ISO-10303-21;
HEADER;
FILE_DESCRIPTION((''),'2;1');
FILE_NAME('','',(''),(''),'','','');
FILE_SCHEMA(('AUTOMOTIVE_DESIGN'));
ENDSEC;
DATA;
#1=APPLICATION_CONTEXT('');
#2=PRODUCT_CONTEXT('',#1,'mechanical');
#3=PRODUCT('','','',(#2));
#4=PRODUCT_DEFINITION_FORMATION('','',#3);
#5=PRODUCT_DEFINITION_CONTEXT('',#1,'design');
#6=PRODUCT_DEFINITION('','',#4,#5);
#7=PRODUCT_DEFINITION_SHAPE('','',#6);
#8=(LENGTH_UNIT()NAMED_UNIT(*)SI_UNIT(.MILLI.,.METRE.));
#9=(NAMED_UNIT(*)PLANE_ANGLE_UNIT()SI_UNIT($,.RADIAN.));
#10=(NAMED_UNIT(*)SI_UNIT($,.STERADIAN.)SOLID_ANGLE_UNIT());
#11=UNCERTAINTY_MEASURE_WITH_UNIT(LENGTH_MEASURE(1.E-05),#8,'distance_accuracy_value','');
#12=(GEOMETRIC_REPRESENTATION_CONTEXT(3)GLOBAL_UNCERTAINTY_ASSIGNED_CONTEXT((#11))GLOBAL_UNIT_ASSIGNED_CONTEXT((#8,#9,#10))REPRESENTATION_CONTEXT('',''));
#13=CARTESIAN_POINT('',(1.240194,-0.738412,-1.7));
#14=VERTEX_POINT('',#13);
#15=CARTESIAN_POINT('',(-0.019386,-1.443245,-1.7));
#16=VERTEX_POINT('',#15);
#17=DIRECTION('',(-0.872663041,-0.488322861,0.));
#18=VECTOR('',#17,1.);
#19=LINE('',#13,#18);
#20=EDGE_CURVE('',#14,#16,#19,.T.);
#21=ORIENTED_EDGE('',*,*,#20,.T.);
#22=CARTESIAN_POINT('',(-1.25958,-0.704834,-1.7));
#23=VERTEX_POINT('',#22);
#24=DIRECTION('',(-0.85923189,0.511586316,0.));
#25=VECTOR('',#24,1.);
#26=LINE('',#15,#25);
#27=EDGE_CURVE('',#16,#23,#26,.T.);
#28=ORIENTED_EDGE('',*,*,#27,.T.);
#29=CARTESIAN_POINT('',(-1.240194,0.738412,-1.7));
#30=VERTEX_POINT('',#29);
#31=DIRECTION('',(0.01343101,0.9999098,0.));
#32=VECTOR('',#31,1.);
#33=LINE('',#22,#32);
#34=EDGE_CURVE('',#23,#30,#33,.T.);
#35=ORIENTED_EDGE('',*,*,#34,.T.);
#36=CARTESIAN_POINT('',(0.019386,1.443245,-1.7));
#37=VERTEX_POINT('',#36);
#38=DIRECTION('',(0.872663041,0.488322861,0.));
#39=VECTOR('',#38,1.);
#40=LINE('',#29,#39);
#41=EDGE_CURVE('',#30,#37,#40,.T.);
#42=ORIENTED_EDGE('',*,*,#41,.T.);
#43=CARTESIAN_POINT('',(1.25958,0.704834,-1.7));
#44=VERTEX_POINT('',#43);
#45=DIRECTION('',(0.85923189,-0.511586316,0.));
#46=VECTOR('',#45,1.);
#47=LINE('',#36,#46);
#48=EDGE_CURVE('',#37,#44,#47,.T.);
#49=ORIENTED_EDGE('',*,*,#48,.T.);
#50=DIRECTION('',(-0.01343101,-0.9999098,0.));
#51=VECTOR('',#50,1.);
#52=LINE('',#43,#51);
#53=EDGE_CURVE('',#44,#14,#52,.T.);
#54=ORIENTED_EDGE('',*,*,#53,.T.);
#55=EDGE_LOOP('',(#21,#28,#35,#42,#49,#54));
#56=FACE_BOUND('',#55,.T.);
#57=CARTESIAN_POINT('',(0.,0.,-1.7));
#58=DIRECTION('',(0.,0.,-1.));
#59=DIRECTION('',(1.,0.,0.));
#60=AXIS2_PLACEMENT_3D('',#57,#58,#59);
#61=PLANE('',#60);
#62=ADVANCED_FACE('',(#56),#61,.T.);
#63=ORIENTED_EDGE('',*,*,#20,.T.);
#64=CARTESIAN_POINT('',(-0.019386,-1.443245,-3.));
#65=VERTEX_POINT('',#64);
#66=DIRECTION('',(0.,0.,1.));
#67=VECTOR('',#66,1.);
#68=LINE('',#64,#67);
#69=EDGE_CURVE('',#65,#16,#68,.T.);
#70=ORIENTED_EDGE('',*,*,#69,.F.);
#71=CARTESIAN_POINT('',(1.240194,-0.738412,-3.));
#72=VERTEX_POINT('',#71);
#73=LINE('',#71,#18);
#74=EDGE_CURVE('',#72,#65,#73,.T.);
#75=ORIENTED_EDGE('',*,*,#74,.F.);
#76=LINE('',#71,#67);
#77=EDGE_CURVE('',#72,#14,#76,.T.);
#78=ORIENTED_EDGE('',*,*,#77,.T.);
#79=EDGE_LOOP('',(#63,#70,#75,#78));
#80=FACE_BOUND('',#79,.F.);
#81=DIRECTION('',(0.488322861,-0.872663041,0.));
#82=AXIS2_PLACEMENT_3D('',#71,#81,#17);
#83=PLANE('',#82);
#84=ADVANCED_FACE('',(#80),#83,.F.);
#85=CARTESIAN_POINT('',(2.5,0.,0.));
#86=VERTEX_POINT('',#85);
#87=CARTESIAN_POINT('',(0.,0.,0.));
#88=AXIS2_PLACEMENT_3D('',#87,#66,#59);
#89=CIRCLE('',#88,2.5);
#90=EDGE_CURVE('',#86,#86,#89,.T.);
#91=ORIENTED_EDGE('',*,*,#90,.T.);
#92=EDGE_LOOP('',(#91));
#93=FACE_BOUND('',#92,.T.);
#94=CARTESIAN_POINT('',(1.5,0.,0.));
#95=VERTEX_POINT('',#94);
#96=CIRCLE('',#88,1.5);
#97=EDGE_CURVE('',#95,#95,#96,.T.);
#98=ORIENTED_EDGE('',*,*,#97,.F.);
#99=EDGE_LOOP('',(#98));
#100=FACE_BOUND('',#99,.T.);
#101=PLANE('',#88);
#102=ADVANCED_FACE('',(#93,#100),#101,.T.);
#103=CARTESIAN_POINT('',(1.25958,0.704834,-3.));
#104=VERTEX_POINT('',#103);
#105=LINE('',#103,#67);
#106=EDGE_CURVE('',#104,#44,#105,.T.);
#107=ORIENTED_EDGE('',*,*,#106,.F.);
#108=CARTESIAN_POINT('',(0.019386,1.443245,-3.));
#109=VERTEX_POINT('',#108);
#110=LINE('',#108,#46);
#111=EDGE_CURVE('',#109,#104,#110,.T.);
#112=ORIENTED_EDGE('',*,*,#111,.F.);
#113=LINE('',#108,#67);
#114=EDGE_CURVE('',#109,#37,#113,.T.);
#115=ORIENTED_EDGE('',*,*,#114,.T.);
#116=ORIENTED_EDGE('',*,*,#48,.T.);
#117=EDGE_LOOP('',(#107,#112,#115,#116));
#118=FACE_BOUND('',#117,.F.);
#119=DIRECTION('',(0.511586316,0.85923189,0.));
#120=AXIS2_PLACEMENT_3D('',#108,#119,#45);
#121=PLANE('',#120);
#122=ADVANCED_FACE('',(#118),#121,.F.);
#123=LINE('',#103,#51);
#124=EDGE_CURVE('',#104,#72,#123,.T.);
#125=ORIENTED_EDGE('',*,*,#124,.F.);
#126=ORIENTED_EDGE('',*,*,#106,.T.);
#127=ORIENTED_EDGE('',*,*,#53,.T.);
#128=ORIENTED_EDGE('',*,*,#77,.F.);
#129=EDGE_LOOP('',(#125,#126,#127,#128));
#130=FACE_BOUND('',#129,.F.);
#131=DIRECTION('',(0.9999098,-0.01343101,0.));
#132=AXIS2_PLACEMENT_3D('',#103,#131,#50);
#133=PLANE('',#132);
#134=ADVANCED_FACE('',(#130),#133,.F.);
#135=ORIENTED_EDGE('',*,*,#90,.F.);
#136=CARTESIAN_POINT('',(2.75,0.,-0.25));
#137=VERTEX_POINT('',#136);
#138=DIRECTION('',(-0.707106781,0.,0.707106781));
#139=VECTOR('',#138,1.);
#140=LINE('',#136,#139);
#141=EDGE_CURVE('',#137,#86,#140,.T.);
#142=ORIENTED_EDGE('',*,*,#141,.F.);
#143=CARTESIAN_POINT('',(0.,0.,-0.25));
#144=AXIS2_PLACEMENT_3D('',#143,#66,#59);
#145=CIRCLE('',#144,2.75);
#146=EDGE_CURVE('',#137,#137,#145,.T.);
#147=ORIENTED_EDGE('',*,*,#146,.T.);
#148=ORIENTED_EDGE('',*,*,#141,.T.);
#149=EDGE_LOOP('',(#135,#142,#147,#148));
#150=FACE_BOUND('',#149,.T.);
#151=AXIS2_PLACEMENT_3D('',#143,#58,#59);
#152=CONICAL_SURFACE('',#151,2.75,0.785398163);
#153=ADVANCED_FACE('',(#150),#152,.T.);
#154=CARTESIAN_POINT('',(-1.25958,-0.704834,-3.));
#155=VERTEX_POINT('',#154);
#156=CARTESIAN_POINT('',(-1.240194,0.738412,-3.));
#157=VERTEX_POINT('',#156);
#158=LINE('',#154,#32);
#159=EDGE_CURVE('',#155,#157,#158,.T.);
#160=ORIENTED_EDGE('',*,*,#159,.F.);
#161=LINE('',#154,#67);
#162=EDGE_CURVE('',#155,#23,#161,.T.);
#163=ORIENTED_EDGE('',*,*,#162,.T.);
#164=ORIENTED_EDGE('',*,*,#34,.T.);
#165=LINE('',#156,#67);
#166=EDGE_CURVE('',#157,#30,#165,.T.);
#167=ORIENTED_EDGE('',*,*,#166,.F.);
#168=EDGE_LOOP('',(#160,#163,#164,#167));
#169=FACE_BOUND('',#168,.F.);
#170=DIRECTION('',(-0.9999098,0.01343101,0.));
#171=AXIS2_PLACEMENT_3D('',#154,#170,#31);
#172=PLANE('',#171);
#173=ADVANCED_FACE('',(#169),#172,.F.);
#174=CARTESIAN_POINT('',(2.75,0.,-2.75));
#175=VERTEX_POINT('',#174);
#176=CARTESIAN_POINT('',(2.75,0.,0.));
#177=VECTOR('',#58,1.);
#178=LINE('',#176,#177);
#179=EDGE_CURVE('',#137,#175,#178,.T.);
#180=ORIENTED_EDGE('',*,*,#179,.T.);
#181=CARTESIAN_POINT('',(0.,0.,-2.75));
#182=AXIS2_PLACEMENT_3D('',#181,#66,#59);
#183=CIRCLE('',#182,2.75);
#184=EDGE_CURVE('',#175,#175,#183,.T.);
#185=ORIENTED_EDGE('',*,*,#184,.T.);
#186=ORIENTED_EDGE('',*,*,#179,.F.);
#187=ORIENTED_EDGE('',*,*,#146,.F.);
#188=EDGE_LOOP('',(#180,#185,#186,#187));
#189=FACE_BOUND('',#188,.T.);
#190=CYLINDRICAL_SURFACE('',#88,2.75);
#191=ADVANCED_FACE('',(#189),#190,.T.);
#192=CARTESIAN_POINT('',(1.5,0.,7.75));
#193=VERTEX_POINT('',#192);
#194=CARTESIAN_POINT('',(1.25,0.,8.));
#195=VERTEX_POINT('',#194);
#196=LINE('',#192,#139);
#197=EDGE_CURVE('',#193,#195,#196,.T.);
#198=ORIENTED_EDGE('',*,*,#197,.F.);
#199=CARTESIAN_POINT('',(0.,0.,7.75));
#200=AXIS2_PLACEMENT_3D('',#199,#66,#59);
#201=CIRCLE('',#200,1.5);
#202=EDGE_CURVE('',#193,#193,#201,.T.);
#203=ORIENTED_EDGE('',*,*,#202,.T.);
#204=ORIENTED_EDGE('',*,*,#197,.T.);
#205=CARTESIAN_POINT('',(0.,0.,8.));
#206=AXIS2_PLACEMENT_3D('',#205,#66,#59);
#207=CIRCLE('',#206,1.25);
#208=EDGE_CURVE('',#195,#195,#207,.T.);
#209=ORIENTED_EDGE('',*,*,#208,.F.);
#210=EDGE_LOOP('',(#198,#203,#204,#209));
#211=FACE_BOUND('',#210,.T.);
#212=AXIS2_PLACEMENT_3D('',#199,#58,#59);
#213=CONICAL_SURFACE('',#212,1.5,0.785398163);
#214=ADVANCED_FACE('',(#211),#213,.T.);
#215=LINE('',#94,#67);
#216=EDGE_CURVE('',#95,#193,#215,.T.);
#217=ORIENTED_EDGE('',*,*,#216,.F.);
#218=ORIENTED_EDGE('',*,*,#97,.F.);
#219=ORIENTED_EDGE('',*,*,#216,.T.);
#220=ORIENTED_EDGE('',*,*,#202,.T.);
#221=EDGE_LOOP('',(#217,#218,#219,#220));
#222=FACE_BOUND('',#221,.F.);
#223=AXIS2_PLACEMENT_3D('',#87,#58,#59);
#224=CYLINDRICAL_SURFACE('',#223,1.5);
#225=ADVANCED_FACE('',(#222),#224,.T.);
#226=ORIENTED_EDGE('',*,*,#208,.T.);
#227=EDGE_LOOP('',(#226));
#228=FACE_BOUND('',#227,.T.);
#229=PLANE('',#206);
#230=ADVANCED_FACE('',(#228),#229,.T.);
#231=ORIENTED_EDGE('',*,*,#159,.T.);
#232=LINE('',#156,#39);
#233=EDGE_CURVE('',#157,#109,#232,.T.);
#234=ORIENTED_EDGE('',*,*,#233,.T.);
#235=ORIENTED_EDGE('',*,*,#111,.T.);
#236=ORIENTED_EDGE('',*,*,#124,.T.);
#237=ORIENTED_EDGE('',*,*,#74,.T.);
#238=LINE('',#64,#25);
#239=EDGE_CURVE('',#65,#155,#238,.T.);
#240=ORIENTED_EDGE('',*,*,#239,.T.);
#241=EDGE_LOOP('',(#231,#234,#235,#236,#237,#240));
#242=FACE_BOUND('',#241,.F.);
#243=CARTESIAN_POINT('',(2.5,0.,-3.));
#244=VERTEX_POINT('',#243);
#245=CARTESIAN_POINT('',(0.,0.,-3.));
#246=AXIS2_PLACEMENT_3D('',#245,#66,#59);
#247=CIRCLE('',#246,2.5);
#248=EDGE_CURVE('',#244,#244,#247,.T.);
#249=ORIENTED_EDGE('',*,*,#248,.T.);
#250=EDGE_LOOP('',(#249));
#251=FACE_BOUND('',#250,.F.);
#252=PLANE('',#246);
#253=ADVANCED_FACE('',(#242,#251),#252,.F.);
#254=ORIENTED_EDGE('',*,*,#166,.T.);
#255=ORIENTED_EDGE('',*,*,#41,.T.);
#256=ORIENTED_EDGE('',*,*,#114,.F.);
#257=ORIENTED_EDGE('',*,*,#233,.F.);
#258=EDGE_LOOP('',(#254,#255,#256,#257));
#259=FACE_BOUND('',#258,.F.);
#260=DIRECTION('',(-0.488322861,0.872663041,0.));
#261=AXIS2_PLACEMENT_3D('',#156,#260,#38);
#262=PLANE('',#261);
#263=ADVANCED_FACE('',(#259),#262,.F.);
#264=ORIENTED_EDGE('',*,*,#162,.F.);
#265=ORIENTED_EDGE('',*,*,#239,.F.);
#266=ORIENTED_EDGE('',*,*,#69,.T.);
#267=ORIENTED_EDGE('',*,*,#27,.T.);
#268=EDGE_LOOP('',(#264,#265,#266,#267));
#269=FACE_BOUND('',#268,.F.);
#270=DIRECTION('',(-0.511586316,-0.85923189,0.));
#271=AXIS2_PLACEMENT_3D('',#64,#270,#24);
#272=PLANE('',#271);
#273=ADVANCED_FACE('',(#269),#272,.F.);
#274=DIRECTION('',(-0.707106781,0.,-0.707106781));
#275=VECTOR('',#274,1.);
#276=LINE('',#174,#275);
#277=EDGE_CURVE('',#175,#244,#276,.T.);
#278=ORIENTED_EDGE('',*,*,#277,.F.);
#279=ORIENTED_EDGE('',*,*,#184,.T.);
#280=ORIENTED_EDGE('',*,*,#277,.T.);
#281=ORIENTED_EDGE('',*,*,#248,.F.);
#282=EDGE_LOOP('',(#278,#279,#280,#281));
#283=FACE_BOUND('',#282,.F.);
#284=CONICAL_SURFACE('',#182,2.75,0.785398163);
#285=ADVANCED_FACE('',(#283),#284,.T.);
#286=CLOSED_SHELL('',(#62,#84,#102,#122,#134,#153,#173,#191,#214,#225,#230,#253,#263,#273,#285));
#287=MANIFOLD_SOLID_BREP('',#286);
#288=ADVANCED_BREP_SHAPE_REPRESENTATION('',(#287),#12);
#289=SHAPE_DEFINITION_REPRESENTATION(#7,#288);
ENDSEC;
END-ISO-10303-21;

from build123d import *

# Parameters (mm, degrees)
F0_R     = 1.5
F1_DEPTH = 8
F2_R     = 2.75
F3_DEPTH = 3
F5_DEPTH = 1.3
F6_SIZE  = 0.25


with BuildPart() as f1:
    # F0 (on Top) → F1 (new body)
    with BuildSketch(Plane.XY):
        Circle(F0_R)
    extrude(amount=F1_DEPTH)

    # F2 (on Top) → F3 (join)
    with BuildSketch(Plane.XY):
        Circle(F2_R)
    extrude(amount=-F3_DEPTH)

    # F4 (on face) → F5 (cut)
    with BuildSketch(Plane(origin=(0, 0, -3), x_dir=(1, 0, 0), z_dir=(0, 0, -1))):
        Polygon((0.019386, -1.443245), (1.25958, -0.704834), (1.240194, 0.738412), (-0.019386, 1.443245), (-1.25958, 0.704834), (-1.240194, -0.738412), align=None)
    extrude(amount=-F5_DEPTH, mode=Mode.SUBTRACT)

    # F6
    f6_edges = [f1.edges().sort_by_distance(p)[0] for p in [
        (-2.75, 0, -3),
        (-2.75, 0, 0),
        (-1.5, 0, 8),
    ]]
    chamfer(f6_edges, length=F6_SIZE)


solid = f1.part
